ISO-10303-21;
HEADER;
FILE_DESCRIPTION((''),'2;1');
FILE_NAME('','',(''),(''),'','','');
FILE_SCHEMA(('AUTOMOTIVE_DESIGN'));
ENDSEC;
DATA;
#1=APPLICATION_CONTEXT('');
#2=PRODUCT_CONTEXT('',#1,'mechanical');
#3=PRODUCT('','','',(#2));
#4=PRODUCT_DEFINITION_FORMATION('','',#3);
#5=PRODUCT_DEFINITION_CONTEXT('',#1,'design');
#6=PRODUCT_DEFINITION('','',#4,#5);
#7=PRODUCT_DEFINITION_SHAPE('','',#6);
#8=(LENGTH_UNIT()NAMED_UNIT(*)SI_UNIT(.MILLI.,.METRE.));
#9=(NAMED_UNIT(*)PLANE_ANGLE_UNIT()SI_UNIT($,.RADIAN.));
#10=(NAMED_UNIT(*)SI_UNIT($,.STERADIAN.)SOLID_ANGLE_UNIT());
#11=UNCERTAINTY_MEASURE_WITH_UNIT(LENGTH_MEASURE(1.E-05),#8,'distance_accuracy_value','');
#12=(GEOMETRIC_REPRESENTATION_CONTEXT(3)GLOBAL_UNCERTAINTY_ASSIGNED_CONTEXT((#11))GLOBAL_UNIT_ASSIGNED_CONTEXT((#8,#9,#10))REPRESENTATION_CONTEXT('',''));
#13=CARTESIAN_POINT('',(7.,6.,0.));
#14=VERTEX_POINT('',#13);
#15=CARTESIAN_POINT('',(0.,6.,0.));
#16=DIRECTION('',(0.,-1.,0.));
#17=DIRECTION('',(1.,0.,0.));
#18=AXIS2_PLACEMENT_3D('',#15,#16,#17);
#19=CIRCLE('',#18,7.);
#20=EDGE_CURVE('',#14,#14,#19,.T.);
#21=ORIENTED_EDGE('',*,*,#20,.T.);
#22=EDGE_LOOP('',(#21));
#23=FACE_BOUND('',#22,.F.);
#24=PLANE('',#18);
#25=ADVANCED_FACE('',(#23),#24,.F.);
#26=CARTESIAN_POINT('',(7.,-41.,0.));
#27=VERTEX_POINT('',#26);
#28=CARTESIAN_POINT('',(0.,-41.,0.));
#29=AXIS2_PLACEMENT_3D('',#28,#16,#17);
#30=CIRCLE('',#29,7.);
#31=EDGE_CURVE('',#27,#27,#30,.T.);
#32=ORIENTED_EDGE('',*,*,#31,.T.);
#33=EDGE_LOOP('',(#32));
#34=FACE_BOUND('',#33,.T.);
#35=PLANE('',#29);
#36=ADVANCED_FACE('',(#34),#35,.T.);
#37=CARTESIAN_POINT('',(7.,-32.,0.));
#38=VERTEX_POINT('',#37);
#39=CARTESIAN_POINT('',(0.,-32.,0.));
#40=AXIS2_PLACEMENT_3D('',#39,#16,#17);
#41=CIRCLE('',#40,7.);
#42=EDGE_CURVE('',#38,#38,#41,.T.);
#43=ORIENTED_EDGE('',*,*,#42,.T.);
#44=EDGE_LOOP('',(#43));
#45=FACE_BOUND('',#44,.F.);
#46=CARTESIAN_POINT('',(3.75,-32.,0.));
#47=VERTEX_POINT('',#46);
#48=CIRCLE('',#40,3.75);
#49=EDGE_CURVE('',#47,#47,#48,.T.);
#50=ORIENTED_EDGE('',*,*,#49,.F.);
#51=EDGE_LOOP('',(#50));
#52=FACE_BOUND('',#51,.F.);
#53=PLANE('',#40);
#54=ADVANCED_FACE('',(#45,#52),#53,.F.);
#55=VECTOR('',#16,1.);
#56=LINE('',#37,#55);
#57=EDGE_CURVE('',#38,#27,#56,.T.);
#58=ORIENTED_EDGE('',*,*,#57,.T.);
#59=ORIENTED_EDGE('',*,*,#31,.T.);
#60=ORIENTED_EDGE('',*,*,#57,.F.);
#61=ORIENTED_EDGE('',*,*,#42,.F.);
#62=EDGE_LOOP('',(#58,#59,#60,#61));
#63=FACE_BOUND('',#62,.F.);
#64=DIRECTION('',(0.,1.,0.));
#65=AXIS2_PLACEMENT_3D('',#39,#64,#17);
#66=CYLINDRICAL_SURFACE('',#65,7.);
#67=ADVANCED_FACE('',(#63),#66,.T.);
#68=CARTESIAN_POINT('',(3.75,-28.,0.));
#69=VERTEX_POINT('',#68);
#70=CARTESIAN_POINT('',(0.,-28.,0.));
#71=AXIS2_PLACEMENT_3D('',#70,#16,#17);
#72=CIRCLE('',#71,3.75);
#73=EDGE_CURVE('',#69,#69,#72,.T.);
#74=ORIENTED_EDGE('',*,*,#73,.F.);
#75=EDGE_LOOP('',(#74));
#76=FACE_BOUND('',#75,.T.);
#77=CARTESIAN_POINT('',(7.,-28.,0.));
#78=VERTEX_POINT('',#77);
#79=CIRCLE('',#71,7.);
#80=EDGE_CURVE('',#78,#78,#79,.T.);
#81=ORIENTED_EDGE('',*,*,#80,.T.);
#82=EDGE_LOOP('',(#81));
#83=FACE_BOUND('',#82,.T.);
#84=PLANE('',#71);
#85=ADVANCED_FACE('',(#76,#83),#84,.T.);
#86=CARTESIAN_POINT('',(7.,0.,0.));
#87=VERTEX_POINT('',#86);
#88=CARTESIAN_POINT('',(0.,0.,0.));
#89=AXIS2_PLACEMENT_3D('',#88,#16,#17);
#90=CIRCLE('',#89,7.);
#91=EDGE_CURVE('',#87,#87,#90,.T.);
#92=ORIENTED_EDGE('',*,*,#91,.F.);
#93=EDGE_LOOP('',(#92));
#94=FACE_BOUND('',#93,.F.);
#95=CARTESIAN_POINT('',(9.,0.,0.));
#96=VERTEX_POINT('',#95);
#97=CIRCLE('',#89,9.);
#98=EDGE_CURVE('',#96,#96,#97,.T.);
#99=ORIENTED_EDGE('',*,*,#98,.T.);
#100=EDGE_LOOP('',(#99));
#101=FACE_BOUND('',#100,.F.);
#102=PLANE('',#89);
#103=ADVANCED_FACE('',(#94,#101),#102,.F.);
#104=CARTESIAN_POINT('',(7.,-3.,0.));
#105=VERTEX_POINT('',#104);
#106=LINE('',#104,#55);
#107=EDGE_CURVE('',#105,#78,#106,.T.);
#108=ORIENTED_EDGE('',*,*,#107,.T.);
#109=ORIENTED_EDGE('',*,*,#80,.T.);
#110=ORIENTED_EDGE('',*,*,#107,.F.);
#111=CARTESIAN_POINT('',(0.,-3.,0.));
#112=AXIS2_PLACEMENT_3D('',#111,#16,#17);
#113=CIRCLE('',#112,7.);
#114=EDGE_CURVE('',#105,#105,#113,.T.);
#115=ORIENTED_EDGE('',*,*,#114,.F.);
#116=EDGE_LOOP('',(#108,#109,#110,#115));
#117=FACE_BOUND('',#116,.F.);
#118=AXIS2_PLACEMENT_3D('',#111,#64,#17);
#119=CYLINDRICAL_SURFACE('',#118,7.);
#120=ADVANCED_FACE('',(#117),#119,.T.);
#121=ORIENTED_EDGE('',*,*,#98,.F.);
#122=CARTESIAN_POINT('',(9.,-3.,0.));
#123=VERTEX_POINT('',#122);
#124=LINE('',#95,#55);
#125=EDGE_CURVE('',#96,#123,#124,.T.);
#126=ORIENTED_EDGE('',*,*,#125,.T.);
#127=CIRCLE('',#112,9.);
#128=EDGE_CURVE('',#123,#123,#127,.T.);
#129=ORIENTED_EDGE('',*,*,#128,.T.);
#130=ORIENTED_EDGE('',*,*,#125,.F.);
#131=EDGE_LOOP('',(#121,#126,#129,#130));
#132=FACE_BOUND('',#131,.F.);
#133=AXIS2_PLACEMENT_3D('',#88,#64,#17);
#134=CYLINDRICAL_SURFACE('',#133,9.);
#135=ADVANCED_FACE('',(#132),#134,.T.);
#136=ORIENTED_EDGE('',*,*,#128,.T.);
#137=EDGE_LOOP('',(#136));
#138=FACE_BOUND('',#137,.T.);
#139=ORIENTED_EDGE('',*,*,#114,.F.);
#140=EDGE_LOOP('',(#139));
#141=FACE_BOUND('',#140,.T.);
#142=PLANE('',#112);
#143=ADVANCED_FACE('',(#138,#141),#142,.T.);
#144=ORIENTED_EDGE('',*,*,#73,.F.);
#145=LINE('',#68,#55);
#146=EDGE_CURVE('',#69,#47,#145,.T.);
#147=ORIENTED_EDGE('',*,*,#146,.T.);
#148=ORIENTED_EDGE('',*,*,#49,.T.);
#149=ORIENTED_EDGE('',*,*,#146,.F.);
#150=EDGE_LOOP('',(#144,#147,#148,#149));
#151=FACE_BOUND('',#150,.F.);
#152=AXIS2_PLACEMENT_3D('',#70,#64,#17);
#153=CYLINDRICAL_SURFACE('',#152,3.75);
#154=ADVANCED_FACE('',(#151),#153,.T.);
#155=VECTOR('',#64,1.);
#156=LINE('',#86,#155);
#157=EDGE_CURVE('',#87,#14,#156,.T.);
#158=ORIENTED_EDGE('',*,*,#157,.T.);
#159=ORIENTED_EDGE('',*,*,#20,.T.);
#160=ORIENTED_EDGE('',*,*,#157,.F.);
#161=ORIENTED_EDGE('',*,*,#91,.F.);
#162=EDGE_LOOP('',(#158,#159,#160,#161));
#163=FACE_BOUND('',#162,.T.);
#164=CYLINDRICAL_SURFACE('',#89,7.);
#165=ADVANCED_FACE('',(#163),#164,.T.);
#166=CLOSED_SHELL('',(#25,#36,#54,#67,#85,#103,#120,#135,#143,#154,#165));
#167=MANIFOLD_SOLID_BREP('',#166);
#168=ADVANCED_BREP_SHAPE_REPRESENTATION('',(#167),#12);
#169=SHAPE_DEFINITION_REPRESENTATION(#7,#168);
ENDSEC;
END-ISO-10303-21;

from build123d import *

# Parameters (mm, degrees)
F0_R     = 9
F0_R_2   = 7
F1_DEPTH = 3
F2_DEPTH = 6
F3_R     = 7
F4_DEPTH = 25
F5_R     = 3.75
F6_DEPTH = 4
F7_R     = 7
F8_DEPTH = 9


with BuildPart() as f1:
    # F0 (on Front) → F1 (new body)
    with BuildSketch(Plane.XZ):
        Circle(F0_R)
        Circle(F0_R_2, mode=Mode.SUBTRACT)
        Circle(F0_R_2)
    extrude(amount=F1_DEPTH)

    # F0 (on Front) → F2 (join)
    with BuildSketch(Plane.XZ):
        Circle(F0_R_2)
    extrude(amount=-F2_DEPTH)

    # F3 (on face) → F4 (join)
    with BuildSketch(Plane.XZ.offset(3)):
        Circle(F3_R)
    extrude(amount=F4_DEPTH)

    # F5 (on face) → F6 (join)
    with BuildSketch(Plane.XZ.offset(28)):
        Circle(F5_R)
    extrude(amount=F6_DEPTH)

    # F7 (on face) → F8 (join)
    with BuildSketch(Plane.XZ.offset(32)):
        Circle(F7_R)
    extrude(amount=F8_DEPTH)


solid = f1.part
